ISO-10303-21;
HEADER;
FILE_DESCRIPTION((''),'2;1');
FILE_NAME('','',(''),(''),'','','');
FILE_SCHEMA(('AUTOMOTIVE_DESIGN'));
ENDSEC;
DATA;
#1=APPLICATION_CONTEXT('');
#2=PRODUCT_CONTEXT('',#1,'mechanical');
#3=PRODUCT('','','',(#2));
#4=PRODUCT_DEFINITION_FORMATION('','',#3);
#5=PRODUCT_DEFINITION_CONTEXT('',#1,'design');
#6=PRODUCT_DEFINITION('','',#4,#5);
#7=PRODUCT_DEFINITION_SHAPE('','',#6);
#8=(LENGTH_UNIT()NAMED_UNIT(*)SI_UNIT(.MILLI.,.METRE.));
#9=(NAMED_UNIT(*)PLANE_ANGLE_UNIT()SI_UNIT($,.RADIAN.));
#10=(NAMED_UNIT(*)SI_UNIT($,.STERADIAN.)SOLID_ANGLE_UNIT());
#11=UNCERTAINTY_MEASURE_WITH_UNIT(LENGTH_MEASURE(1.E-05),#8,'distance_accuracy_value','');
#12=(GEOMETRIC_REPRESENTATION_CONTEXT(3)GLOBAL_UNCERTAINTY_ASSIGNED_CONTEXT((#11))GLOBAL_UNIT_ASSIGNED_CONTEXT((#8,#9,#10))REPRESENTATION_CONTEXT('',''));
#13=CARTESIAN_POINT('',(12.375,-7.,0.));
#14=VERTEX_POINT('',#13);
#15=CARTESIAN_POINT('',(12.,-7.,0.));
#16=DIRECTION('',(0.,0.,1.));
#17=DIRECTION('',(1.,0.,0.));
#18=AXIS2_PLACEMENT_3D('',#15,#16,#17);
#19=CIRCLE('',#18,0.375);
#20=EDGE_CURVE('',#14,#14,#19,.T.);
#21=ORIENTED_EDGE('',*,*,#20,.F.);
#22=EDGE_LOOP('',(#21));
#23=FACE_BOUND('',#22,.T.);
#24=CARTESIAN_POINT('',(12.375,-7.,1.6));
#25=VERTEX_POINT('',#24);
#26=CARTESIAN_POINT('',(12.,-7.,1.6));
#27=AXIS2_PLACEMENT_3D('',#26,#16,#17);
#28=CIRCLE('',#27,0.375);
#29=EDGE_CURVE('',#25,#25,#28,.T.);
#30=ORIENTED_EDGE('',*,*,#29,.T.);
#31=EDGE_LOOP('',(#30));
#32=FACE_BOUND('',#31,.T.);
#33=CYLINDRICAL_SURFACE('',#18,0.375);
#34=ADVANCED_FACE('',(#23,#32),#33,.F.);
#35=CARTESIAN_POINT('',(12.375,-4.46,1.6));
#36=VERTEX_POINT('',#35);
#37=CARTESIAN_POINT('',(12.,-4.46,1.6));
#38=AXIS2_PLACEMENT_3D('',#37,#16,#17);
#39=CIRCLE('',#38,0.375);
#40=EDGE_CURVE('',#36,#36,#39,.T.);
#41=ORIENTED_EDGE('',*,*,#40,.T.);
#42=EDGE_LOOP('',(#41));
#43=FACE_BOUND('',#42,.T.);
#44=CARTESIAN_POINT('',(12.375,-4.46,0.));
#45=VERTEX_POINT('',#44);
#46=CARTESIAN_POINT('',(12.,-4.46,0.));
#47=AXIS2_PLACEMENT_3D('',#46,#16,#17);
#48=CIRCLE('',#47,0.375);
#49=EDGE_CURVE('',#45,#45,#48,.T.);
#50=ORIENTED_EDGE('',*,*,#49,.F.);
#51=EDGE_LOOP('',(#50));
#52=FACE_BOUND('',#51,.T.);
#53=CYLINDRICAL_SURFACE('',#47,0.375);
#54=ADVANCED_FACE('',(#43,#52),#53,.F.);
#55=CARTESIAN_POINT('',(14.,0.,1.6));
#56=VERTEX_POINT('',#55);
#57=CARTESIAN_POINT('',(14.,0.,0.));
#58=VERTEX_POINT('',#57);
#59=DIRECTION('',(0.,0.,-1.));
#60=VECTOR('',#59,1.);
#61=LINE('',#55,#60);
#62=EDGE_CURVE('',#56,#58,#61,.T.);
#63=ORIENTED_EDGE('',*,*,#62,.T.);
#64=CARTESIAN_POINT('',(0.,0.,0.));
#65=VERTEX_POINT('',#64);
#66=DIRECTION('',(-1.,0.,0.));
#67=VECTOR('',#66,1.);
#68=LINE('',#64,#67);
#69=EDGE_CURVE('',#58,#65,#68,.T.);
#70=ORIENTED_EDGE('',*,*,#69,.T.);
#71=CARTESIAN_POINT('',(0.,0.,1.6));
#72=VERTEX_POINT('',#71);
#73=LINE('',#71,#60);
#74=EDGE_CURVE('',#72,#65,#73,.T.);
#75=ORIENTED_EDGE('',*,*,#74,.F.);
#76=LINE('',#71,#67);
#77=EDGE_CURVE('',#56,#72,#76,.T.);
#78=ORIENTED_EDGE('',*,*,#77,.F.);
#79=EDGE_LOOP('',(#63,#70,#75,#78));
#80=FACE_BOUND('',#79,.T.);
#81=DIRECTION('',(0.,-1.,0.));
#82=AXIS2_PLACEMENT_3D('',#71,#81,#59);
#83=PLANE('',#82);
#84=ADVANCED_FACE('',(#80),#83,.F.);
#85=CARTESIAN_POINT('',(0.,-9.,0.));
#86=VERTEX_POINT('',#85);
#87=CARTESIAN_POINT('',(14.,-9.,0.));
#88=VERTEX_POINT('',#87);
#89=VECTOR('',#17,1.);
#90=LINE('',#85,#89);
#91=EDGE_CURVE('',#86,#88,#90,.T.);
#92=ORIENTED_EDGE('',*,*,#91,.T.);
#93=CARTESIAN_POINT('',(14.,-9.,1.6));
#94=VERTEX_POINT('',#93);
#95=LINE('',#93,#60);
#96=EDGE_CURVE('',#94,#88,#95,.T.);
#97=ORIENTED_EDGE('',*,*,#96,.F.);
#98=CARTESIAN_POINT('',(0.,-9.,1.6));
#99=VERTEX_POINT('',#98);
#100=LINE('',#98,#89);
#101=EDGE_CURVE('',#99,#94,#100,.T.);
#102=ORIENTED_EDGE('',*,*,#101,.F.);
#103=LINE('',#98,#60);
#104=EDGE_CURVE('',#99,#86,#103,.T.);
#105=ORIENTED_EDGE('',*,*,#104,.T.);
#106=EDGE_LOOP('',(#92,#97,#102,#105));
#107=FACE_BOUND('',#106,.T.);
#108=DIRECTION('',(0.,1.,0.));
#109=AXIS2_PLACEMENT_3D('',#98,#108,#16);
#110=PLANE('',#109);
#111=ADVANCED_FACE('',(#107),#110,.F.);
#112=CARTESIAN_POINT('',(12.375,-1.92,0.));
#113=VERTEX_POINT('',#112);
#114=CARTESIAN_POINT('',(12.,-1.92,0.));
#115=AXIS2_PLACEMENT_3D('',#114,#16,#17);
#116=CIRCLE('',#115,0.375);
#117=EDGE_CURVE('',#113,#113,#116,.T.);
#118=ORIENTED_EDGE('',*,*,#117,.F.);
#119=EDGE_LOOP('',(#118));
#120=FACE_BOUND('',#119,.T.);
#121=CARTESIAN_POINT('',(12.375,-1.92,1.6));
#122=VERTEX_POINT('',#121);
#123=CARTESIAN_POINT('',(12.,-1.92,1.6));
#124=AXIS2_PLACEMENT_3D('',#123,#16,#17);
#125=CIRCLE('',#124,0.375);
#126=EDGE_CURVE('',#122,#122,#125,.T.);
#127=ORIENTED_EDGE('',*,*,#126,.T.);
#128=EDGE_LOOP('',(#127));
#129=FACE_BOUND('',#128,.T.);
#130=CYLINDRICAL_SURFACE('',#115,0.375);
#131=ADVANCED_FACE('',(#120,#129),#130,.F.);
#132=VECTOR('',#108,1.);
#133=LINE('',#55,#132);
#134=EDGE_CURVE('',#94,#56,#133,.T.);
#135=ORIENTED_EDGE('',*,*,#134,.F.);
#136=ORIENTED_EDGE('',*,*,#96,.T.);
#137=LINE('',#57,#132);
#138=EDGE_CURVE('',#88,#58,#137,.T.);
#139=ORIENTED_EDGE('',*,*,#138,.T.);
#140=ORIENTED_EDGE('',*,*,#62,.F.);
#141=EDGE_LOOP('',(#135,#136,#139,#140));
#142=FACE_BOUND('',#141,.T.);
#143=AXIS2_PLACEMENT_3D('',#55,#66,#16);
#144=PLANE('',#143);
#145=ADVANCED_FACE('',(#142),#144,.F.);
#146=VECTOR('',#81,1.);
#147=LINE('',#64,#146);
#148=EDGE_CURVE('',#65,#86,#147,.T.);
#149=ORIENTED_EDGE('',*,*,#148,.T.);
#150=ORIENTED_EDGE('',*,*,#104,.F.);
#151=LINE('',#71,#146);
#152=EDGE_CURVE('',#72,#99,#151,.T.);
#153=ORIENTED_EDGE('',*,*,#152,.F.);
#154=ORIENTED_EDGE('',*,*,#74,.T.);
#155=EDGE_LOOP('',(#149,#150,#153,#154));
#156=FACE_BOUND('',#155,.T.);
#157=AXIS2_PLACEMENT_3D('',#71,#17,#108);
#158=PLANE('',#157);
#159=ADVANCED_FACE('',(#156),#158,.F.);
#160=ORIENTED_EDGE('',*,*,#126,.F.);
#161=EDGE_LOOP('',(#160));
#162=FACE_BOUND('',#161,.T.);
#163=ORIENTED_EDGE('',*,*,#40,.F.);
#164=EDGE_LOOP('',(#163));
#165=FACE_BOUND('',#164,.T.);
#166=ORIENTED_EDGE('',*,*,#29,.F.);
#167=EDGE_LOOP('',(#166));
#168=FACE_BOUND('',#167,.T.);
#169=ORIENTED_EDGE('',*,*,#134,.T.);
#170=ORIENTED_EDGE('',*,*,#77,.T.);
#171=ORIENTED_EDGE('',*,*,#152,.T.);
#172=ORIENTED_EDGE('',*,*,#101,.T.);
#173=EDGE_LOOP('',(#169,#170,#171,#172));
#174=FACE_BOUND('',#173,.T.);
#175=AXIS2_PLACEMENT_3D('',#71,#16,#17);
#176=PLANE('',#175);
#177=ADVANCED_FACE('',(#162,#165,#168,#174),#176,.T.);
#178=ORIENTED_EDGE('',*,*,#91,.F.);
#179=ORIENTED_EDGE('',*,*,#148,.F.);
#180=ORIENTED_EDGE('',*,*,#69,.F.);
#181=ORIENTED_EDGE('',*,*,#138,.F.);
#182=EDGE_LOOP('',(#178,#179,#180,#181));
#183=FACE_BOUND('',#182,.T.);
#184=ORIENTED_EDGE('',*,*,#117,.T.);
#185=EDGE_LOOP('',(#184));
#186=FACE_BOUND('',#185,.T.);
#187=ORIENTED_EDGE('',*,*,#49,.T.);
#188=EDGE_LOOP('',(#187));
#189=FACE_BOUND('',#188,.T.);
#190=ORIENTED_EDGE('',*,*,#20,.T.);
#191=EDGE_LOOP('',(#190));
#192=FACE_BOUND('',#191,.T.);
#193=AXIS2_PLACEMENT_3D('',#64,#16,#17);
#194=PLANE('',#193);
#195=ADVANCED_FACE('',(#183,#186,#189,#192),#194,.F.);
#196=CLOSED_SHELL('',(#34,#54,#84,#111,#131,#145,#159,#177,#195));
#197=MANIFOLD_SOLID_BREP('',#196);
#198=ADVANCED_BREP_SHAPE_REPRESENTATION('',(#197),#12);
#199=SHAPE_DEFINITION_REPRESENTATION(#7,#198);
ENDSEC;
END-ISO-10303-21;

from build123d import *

# Parameters (mm, degrees)
SKETCH1_W           = 14
SKETCH1_H           = 9
BOSS_EXTRUDE1_DEPTH = 1.6
SKETCH2_R           = 0.375
CUT_EXTRUDE1_DEPTH  = 17.720047847


with BuildPart() as part:
    # Sketch1 → Boss-Extrude1 (new body)
    with BuildSketch(Plane.XY):
        with Locations((7, -4.5)):
            Rectangle(SKETCH1_W, SKETCH1_H)
    extrude(amount=BOSS_EXTRUDE1_DEPTH)

    # Sketch2 → Cut-Extrude1 (cut, through all)
    with BuildSketch(Plane.XY.offset(1.6)):
        with Locations((12, -7)):
            Circle(SKETCH2_R)
        with Locations((12, -4.46)):
            Circle(SKETCH2_R)
        with Locations((12, -1.92)):
            Circle(SKETCH2_R)
    extrude(amount=-CUT_EXTRUDE1_DEPTH, mode=Mode.SUBTRACT)


solid = part.part
